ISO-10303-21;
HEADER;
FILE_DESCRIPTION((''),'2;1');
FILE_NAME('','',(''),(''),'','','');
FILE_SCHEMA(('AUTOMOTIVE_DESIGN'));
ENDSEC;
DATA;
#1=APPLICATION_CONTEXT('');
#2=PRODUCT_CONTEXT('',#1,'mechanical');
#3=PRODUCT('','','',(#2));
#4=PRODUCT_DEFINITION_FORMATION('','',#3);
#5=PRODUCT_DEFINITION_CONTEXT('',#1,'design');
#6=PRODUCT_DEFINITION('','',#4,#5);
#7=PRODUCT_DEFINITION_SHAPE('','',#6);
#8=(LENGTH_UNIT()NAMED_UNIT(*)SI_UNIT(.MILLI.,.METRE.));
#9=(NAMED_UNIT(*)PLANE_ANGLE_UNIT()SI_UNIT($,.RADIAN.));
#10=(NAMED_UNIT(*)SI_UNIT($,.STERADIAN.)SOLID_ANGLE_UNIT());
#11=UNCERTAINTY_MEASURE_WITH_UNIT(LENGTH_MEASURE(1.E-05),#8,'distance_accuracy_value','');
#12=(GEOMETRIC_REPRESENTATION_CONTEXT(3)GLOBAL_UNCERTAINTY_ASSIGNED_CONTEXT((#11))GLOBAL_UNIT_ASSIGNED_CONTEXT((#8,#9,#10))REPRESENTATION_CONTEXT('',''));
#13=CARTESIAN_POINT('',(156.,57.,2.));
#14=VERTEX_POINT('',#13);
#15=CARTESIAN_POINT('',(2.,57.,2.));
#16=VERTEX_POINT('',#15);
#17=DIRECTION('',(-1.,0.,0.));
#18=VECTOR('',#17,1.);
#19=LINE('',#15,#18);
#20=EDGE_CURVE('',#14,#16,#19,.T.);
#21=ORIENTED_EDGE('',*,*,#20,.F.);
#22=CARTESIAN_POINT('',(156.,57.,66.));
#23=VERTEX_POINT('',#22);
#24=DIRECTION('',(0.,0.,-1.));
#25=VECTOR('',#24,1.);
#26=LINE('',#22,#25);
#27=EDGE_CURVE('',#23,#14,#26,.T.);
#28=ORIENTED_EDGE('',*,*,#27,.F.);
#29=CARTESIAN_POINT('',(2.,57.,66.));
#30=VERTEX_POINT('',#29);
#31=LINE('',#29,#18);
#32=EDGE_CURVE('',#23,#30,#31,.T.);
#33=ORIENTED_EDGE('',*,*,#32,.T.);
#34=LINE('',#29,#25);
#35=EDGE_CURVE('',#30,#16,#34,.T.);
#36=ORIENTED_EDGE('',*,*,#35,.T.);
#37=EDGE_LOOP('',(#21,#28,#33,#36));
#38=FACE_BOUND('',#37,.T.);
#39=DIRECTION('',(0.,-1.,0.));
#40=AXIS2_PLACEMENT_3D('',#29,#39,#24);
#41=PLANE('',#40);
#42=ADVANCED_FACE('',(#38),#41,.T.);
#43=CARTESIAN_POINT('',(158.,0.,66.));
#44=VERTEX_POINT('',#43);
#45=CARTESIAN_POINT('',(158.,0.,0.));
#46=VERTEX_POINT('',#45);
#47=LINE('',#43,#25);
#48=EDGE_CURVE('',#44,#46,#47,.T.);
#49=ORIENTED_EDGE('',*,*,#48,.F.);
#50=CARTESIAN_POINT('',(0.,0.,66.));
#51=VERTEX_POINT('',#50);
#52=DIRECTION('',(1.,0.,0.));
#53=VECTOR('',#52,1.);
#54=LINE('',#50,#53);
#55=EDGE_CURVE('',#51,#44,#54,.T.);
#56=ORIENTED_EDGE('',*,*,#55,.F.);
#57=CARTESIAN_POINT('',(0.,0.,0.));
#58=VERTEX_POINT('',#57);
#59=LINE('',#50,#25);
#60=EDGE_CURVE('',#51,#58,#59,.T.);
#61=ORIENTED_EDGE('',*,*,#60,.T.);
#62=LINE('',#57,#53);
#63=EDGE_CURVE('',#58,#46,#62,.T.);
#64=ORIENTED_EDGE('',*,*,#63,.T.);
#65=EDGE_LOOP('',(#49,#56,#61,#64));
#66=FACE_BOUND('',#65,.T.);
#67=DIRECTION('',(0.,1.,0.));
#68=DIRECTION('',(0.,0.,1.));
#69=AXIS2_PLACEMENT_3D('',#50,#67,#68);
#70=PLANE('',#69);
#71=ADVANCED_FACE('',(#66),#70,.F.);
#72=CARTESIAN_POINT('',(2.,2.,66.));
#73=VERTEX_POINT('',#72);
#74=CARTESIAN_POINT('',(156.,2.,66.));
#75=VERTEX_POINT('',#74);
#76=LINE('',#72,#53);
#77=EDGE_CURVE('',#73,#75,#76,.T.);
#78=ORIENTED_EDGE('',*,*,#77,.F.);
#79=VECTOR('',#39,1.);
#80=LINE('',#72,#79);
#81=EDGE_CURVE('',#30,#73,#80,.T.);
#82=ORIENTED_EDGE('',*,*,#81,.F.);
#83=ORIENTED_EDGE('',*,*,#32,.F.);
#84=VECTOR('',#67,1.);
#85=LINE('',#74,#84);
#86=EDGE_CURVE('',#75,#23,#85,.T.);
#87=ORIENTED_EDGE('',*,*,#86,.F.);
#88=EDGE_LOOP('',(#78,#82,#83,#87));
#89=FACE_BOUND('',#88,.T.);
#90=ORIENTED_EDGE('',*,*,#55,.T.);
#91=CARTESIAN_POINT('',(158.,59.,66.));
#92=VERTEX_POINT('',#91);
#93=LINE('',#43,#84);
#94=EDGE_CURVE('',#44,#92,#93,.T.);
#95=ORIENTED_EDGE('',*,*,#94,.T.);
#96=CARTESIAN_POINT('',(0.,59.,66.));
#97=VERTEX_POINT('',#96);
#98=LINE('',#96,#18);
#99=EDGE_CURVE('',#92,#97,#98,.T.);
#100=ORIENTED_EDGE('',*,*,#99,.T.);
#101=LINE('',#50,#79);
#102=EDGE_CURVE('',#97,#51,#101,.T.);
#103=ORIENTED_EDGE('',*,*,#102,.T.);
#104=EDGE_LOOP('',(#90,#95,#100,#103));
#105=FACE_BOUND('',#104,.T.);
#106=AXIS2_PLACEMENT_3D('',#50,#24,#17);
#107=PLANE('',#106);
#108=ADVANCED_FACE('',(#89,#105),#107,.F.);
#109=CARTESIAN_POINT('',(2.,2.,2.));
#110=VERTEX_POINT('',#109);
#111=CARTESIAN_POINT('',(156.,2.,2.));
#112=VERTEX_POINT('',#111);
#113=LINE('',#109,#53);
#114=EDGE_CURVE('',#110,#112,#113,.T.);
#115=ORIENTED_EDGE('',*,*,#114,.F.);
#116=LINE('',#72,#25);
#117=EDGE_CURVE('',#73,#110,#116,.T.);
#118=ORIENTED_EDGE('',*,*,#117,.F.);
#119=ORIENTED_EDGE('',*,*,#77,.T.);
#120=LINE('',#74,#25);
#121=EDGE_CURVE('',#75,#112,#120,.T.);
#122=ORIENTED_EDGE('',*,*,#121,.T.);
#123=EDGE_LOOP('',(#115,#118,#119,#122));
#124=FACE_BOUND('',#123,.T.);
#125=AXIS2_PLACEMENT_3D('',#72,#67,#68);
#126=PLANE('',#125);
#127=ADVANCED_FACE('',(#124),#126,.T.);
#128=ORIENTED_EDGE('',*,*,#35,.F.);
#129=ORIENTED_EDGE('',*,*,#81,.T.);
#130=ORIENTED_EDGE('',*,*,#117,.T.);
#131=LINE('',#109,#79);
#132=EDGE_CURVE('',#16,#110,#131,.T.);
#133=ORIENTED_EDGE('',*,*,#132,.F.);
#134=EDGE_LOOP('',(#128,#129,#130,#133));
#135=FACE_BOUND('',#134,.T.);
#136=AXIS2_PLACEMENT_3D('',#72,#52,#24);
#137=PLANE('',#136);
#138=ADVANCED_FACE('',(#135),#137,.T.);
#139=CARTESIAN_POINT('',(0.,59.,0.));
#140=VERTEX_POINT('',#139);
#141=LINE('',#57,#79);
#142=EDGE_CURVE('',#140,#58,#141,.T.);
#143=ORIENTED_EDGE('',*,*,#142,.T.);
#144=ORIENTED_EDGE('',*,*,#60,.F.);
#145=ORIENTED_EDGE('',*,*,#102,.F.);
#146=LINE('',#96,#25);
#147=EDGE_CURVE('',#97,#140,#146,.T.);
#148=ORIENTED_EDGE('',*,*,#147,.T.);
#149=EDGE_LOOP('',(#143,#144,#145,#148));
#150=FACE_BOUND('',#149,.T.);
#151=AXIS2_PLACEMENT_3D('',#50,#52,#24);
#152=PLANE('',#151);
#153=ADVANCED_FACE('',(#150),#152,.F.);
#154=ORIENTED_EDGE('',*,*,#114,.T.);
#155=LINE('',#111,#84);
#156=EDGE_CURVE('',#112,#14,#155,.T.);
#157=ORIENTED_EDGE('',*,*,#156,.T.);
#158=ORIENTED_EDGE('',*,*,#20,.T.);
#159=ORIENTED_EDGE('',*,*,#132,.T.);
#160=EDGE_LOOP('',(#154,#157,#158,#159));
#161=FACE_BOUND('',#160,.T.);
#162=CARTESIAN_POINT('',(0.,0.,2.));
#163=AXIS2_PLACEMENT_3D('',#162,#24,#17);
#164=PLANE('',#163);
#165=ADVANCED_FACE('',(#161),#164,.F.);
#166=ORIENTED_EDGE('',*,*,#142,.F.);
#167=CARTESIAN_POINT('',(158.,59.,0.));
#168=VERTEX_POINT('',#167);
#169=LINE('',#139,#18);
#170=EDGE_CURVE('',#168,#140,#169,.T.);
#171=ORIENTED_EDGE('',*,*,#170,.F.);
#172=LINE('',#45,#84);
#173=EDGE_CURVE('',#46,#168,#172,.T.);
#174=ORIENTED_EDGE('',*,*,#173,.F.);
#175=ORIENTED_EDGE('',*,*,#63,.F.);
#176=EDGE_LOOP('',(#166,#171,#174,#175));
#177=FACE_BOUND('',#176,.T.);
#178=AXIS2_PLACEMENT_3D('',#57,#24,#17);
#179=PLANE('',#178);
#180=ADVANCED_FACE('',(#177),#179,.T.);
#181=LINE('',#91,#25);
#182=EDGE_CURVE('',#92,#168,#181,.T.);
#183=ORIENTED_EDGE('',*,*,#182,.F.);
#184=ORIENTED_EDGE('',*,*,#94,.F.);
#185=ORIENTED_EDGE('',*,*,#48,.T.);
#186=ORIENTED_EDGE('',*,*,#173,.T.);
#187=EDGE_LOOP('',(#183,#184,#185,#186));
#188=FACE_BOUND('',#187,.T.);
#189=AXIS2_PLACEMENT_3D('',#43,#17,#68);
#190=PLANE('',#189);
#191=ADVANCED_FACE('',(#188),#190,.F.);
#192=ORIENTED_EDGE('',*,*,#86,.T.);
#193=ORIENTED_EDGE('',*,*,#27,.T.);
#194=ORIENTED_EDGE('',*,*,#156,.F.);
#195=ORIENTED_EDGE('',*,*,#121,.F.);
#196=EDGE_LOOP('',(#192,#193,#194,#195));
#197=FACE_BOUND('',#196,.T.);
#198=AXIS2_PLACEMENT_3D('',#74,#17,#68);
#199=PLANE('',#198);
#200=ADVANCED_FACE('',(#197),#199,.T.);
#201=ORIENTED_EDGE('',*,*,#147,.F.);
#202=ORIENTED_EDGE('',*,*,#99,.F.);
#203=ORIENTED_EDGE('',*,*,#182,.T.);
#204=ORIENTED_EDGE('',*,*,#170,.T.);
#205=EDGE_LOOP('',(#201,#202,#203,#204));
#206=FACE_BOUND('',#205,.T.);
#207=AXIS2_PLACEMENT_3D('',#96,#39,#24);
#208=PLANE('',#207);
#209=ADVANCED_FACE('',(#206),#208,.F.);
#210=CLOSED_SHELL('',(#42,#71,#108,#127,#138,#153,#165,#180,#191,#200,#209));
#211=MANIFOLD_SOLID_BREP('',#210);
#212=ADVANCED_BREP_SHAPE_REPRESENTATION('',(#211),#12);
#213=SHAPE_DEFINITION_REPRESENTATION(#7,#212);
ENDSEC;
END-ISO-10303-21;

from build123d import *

# Parameters (mm, degrees)
SKETCH1_W     = 158
SKETCH1_H     = 59
SKETCH1_W_2   = 154
SKETCH1_H_2   = 55
PROFILE_DEPTH = 66
SKETCH2_W     = 154
SKETCH2_H     = 55
BACK_DEPTH    = 2


with BuildPart() as part:
    # Sketch1 → Profile (new body)
    with BuildSketch(Plane.XY):
        with Locations((79, 29.5)):
            Rectangle(SKETCH1_W, SKETCH1_H)
        with Locations((79, 29.5)):
            Rectangle(SKETCH1_W_2, SKETCH1_H_2, mode=Mode.SUBTRACT)
    extrude(amount=PROFILE_DEPTH)

    # Sketch2 → Back (add)
    with BuildSketch(Plane.XY):
        with Locations((79, 29.5)):
            Rectangle(SKETCH2_W, SKETCH2_H)
    extrude(amount=BACK_DEPTH)


solid = part.part
